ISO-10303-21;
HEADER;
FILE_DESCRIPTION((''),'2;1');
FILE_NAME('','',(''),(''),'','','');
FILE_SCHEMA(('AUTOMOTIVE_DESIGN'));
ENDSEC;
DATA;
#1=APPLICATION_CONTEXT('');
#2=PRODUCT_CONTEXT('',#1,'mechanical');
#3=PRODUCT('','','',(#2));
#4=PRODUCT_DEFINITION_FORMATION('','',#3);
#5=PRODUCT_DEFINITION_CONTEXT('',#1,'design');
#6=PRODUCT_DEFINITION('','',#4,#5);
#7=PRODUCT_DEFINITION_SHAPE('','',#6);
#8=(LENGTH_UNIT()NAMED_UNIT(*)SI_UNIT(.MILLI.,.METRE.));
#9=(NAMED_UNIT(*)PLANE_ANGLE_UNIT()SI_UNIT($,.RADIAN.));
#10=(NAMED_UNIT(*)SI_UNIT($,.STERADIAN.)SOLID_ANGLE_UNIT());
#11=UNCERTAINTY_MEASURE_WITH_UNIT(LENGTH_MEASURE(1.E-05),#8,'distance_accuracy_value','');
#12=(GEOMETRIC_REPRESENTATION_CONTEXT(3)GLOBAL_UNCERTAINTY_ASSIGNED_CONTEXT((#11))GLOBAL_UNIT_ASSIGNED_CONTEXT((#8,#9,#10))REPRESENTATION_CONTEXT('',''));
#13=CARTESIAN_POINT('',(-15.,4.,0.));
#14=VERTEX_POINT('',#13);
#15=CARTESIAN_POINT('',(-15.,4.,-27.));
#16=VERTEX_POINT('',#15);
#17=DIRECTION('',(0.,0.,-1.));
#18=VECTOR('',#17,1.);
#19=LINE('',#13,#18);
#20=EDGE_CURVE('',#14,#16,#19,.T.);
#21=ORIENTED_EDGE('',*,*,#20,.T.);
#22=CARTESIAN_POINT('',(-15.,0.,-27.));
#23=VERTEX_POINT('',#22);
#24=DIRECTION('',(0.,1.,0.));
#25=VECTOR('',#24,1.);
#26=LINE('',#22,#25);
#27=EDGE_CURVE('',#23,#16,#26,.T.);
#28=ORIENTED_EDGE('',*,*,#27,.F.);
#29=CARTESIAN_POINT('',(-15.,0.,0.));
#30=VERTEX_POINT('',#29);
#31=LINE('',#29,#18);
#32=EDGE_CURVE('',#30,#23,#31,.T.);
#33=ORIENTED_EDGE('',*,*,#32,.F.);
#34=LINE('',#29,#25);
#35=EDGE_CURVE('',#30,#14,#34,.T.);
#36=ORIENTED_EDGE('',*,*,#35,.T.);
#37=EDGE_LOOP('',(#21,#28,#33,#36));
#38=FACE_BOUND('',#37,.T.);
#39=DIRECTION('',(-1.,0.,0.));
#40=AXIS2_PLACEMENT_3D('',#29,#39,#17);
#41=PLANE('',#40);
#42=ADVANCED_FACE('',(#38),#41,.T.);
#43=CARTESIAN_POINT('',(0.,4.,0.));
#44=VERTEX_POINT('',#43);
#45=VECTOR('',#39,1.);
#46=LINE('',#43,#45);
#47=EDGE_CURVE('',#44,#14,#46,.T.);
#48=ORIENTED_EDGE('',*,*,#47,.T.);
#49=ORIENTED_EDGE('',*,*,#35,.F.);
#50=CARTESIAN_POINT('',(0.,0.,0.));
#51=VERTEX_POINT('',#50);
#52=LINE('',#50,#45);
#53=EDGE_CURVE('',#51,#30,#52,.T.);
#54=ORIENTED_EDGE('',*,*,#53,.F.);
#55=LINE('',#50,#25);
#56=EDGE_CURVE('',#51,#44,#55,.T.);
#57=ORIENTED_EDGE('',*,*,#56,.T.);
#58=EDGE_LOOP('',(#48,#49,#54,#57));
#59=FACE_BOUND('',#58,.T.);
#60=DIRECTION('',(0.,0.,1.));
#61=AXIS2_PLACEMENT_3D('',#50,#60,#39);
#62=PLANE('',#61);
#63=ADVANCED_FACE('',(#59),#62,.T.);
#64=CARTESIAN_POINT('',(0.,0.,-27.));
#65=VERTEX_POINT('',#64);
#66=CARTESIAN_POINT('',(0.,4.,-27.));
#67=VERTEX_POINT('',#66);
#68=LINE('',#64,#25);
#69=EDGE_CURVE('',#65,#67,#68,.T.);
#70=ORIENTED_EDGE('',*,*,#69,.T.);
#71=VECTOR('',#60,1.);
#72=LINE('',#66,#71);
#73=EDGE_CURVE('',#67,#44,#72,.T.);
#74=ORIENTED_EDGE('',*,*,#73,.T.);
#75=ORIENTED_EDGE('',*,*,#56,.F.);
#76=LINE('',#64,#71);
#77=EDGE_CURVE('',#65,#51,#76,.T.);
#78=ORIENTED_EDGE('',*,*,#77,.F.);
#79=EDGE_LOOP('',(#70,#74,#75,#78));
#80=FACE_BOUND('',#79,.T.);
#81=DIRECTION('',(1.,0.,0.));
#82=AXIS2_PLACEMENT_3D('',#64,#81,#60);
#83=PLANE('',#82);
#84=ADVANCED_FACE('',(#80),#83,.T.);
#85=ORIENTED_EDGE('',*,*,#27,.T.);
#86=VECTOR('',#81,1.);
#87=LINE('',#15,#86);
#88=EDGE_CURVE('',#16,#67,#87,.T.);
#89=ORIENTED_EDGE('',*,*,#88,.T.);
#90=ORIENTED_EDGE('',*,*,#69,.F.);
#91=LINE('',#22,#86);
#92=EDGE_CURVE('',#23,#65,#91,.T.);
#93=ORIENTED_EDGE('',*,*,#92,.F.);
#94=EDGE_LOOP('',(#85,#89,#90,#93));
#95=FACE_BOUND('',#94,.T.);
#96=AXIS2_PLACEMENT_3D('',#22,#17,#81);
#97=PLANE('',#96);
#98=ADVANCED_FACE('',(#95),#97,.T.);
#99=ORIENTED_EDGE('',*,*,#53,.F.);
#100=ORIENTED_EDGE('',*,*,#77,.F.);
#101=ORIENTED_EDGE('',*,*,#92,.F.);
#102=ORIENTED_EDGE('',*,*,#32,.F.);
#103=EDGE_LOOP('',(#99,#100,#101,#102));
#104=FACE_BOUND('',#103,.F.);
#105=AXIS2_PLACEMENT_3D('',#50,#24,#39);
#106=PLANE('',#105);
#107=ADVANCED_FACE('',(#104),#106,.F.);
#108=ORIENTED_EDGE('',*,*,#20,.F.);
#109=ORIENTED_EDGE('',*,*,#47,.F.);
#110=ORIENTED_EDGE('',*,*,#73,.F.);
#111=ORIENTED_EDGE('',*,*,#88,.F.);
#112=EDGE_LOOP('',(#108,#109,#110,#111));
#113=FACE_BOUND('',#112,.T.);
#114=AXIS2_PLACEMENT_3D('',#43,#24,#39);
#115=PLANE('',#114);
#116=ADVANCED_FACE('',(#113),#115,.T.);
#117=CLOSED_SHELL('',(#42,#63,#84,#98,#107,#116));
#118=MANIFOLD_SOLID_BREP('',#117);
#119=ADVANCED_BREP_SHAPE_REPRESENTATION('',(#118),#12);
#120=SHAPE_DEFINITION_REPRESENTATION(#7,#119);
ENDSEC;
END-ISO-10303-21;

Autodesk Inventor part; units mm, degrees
ref_plane "YZ Plane" through (0, 0, 0) normal (1, 0, 0) x (0, 1, 0)
ref_plane "XZ Plane" through (0, 0, 0) normal (0, 1, 0) x (-1, 0, 0)
ref_plane "XY Plane" through (0, 0, 0) normal (0, 0, 1) x (1, 0, 0)
sketch "スケッチ1" plane through (0, 0, 0) normal (0, 1, 0) x (-1, 0, 0)
  line L0 (0, 0) -> (15, 0)
  line L1 (15, 0) -> (15, -27)
  line L2 (15, -27) -> (0, -27)
  line L3 (0, -27) -> (0, 0)
  dimension "d0" = 15
  dimension "d1" = 27
extrude "押し出し1" add sketch "スケッチ1" along normal blind 4
properties part number "モータドライバ"
